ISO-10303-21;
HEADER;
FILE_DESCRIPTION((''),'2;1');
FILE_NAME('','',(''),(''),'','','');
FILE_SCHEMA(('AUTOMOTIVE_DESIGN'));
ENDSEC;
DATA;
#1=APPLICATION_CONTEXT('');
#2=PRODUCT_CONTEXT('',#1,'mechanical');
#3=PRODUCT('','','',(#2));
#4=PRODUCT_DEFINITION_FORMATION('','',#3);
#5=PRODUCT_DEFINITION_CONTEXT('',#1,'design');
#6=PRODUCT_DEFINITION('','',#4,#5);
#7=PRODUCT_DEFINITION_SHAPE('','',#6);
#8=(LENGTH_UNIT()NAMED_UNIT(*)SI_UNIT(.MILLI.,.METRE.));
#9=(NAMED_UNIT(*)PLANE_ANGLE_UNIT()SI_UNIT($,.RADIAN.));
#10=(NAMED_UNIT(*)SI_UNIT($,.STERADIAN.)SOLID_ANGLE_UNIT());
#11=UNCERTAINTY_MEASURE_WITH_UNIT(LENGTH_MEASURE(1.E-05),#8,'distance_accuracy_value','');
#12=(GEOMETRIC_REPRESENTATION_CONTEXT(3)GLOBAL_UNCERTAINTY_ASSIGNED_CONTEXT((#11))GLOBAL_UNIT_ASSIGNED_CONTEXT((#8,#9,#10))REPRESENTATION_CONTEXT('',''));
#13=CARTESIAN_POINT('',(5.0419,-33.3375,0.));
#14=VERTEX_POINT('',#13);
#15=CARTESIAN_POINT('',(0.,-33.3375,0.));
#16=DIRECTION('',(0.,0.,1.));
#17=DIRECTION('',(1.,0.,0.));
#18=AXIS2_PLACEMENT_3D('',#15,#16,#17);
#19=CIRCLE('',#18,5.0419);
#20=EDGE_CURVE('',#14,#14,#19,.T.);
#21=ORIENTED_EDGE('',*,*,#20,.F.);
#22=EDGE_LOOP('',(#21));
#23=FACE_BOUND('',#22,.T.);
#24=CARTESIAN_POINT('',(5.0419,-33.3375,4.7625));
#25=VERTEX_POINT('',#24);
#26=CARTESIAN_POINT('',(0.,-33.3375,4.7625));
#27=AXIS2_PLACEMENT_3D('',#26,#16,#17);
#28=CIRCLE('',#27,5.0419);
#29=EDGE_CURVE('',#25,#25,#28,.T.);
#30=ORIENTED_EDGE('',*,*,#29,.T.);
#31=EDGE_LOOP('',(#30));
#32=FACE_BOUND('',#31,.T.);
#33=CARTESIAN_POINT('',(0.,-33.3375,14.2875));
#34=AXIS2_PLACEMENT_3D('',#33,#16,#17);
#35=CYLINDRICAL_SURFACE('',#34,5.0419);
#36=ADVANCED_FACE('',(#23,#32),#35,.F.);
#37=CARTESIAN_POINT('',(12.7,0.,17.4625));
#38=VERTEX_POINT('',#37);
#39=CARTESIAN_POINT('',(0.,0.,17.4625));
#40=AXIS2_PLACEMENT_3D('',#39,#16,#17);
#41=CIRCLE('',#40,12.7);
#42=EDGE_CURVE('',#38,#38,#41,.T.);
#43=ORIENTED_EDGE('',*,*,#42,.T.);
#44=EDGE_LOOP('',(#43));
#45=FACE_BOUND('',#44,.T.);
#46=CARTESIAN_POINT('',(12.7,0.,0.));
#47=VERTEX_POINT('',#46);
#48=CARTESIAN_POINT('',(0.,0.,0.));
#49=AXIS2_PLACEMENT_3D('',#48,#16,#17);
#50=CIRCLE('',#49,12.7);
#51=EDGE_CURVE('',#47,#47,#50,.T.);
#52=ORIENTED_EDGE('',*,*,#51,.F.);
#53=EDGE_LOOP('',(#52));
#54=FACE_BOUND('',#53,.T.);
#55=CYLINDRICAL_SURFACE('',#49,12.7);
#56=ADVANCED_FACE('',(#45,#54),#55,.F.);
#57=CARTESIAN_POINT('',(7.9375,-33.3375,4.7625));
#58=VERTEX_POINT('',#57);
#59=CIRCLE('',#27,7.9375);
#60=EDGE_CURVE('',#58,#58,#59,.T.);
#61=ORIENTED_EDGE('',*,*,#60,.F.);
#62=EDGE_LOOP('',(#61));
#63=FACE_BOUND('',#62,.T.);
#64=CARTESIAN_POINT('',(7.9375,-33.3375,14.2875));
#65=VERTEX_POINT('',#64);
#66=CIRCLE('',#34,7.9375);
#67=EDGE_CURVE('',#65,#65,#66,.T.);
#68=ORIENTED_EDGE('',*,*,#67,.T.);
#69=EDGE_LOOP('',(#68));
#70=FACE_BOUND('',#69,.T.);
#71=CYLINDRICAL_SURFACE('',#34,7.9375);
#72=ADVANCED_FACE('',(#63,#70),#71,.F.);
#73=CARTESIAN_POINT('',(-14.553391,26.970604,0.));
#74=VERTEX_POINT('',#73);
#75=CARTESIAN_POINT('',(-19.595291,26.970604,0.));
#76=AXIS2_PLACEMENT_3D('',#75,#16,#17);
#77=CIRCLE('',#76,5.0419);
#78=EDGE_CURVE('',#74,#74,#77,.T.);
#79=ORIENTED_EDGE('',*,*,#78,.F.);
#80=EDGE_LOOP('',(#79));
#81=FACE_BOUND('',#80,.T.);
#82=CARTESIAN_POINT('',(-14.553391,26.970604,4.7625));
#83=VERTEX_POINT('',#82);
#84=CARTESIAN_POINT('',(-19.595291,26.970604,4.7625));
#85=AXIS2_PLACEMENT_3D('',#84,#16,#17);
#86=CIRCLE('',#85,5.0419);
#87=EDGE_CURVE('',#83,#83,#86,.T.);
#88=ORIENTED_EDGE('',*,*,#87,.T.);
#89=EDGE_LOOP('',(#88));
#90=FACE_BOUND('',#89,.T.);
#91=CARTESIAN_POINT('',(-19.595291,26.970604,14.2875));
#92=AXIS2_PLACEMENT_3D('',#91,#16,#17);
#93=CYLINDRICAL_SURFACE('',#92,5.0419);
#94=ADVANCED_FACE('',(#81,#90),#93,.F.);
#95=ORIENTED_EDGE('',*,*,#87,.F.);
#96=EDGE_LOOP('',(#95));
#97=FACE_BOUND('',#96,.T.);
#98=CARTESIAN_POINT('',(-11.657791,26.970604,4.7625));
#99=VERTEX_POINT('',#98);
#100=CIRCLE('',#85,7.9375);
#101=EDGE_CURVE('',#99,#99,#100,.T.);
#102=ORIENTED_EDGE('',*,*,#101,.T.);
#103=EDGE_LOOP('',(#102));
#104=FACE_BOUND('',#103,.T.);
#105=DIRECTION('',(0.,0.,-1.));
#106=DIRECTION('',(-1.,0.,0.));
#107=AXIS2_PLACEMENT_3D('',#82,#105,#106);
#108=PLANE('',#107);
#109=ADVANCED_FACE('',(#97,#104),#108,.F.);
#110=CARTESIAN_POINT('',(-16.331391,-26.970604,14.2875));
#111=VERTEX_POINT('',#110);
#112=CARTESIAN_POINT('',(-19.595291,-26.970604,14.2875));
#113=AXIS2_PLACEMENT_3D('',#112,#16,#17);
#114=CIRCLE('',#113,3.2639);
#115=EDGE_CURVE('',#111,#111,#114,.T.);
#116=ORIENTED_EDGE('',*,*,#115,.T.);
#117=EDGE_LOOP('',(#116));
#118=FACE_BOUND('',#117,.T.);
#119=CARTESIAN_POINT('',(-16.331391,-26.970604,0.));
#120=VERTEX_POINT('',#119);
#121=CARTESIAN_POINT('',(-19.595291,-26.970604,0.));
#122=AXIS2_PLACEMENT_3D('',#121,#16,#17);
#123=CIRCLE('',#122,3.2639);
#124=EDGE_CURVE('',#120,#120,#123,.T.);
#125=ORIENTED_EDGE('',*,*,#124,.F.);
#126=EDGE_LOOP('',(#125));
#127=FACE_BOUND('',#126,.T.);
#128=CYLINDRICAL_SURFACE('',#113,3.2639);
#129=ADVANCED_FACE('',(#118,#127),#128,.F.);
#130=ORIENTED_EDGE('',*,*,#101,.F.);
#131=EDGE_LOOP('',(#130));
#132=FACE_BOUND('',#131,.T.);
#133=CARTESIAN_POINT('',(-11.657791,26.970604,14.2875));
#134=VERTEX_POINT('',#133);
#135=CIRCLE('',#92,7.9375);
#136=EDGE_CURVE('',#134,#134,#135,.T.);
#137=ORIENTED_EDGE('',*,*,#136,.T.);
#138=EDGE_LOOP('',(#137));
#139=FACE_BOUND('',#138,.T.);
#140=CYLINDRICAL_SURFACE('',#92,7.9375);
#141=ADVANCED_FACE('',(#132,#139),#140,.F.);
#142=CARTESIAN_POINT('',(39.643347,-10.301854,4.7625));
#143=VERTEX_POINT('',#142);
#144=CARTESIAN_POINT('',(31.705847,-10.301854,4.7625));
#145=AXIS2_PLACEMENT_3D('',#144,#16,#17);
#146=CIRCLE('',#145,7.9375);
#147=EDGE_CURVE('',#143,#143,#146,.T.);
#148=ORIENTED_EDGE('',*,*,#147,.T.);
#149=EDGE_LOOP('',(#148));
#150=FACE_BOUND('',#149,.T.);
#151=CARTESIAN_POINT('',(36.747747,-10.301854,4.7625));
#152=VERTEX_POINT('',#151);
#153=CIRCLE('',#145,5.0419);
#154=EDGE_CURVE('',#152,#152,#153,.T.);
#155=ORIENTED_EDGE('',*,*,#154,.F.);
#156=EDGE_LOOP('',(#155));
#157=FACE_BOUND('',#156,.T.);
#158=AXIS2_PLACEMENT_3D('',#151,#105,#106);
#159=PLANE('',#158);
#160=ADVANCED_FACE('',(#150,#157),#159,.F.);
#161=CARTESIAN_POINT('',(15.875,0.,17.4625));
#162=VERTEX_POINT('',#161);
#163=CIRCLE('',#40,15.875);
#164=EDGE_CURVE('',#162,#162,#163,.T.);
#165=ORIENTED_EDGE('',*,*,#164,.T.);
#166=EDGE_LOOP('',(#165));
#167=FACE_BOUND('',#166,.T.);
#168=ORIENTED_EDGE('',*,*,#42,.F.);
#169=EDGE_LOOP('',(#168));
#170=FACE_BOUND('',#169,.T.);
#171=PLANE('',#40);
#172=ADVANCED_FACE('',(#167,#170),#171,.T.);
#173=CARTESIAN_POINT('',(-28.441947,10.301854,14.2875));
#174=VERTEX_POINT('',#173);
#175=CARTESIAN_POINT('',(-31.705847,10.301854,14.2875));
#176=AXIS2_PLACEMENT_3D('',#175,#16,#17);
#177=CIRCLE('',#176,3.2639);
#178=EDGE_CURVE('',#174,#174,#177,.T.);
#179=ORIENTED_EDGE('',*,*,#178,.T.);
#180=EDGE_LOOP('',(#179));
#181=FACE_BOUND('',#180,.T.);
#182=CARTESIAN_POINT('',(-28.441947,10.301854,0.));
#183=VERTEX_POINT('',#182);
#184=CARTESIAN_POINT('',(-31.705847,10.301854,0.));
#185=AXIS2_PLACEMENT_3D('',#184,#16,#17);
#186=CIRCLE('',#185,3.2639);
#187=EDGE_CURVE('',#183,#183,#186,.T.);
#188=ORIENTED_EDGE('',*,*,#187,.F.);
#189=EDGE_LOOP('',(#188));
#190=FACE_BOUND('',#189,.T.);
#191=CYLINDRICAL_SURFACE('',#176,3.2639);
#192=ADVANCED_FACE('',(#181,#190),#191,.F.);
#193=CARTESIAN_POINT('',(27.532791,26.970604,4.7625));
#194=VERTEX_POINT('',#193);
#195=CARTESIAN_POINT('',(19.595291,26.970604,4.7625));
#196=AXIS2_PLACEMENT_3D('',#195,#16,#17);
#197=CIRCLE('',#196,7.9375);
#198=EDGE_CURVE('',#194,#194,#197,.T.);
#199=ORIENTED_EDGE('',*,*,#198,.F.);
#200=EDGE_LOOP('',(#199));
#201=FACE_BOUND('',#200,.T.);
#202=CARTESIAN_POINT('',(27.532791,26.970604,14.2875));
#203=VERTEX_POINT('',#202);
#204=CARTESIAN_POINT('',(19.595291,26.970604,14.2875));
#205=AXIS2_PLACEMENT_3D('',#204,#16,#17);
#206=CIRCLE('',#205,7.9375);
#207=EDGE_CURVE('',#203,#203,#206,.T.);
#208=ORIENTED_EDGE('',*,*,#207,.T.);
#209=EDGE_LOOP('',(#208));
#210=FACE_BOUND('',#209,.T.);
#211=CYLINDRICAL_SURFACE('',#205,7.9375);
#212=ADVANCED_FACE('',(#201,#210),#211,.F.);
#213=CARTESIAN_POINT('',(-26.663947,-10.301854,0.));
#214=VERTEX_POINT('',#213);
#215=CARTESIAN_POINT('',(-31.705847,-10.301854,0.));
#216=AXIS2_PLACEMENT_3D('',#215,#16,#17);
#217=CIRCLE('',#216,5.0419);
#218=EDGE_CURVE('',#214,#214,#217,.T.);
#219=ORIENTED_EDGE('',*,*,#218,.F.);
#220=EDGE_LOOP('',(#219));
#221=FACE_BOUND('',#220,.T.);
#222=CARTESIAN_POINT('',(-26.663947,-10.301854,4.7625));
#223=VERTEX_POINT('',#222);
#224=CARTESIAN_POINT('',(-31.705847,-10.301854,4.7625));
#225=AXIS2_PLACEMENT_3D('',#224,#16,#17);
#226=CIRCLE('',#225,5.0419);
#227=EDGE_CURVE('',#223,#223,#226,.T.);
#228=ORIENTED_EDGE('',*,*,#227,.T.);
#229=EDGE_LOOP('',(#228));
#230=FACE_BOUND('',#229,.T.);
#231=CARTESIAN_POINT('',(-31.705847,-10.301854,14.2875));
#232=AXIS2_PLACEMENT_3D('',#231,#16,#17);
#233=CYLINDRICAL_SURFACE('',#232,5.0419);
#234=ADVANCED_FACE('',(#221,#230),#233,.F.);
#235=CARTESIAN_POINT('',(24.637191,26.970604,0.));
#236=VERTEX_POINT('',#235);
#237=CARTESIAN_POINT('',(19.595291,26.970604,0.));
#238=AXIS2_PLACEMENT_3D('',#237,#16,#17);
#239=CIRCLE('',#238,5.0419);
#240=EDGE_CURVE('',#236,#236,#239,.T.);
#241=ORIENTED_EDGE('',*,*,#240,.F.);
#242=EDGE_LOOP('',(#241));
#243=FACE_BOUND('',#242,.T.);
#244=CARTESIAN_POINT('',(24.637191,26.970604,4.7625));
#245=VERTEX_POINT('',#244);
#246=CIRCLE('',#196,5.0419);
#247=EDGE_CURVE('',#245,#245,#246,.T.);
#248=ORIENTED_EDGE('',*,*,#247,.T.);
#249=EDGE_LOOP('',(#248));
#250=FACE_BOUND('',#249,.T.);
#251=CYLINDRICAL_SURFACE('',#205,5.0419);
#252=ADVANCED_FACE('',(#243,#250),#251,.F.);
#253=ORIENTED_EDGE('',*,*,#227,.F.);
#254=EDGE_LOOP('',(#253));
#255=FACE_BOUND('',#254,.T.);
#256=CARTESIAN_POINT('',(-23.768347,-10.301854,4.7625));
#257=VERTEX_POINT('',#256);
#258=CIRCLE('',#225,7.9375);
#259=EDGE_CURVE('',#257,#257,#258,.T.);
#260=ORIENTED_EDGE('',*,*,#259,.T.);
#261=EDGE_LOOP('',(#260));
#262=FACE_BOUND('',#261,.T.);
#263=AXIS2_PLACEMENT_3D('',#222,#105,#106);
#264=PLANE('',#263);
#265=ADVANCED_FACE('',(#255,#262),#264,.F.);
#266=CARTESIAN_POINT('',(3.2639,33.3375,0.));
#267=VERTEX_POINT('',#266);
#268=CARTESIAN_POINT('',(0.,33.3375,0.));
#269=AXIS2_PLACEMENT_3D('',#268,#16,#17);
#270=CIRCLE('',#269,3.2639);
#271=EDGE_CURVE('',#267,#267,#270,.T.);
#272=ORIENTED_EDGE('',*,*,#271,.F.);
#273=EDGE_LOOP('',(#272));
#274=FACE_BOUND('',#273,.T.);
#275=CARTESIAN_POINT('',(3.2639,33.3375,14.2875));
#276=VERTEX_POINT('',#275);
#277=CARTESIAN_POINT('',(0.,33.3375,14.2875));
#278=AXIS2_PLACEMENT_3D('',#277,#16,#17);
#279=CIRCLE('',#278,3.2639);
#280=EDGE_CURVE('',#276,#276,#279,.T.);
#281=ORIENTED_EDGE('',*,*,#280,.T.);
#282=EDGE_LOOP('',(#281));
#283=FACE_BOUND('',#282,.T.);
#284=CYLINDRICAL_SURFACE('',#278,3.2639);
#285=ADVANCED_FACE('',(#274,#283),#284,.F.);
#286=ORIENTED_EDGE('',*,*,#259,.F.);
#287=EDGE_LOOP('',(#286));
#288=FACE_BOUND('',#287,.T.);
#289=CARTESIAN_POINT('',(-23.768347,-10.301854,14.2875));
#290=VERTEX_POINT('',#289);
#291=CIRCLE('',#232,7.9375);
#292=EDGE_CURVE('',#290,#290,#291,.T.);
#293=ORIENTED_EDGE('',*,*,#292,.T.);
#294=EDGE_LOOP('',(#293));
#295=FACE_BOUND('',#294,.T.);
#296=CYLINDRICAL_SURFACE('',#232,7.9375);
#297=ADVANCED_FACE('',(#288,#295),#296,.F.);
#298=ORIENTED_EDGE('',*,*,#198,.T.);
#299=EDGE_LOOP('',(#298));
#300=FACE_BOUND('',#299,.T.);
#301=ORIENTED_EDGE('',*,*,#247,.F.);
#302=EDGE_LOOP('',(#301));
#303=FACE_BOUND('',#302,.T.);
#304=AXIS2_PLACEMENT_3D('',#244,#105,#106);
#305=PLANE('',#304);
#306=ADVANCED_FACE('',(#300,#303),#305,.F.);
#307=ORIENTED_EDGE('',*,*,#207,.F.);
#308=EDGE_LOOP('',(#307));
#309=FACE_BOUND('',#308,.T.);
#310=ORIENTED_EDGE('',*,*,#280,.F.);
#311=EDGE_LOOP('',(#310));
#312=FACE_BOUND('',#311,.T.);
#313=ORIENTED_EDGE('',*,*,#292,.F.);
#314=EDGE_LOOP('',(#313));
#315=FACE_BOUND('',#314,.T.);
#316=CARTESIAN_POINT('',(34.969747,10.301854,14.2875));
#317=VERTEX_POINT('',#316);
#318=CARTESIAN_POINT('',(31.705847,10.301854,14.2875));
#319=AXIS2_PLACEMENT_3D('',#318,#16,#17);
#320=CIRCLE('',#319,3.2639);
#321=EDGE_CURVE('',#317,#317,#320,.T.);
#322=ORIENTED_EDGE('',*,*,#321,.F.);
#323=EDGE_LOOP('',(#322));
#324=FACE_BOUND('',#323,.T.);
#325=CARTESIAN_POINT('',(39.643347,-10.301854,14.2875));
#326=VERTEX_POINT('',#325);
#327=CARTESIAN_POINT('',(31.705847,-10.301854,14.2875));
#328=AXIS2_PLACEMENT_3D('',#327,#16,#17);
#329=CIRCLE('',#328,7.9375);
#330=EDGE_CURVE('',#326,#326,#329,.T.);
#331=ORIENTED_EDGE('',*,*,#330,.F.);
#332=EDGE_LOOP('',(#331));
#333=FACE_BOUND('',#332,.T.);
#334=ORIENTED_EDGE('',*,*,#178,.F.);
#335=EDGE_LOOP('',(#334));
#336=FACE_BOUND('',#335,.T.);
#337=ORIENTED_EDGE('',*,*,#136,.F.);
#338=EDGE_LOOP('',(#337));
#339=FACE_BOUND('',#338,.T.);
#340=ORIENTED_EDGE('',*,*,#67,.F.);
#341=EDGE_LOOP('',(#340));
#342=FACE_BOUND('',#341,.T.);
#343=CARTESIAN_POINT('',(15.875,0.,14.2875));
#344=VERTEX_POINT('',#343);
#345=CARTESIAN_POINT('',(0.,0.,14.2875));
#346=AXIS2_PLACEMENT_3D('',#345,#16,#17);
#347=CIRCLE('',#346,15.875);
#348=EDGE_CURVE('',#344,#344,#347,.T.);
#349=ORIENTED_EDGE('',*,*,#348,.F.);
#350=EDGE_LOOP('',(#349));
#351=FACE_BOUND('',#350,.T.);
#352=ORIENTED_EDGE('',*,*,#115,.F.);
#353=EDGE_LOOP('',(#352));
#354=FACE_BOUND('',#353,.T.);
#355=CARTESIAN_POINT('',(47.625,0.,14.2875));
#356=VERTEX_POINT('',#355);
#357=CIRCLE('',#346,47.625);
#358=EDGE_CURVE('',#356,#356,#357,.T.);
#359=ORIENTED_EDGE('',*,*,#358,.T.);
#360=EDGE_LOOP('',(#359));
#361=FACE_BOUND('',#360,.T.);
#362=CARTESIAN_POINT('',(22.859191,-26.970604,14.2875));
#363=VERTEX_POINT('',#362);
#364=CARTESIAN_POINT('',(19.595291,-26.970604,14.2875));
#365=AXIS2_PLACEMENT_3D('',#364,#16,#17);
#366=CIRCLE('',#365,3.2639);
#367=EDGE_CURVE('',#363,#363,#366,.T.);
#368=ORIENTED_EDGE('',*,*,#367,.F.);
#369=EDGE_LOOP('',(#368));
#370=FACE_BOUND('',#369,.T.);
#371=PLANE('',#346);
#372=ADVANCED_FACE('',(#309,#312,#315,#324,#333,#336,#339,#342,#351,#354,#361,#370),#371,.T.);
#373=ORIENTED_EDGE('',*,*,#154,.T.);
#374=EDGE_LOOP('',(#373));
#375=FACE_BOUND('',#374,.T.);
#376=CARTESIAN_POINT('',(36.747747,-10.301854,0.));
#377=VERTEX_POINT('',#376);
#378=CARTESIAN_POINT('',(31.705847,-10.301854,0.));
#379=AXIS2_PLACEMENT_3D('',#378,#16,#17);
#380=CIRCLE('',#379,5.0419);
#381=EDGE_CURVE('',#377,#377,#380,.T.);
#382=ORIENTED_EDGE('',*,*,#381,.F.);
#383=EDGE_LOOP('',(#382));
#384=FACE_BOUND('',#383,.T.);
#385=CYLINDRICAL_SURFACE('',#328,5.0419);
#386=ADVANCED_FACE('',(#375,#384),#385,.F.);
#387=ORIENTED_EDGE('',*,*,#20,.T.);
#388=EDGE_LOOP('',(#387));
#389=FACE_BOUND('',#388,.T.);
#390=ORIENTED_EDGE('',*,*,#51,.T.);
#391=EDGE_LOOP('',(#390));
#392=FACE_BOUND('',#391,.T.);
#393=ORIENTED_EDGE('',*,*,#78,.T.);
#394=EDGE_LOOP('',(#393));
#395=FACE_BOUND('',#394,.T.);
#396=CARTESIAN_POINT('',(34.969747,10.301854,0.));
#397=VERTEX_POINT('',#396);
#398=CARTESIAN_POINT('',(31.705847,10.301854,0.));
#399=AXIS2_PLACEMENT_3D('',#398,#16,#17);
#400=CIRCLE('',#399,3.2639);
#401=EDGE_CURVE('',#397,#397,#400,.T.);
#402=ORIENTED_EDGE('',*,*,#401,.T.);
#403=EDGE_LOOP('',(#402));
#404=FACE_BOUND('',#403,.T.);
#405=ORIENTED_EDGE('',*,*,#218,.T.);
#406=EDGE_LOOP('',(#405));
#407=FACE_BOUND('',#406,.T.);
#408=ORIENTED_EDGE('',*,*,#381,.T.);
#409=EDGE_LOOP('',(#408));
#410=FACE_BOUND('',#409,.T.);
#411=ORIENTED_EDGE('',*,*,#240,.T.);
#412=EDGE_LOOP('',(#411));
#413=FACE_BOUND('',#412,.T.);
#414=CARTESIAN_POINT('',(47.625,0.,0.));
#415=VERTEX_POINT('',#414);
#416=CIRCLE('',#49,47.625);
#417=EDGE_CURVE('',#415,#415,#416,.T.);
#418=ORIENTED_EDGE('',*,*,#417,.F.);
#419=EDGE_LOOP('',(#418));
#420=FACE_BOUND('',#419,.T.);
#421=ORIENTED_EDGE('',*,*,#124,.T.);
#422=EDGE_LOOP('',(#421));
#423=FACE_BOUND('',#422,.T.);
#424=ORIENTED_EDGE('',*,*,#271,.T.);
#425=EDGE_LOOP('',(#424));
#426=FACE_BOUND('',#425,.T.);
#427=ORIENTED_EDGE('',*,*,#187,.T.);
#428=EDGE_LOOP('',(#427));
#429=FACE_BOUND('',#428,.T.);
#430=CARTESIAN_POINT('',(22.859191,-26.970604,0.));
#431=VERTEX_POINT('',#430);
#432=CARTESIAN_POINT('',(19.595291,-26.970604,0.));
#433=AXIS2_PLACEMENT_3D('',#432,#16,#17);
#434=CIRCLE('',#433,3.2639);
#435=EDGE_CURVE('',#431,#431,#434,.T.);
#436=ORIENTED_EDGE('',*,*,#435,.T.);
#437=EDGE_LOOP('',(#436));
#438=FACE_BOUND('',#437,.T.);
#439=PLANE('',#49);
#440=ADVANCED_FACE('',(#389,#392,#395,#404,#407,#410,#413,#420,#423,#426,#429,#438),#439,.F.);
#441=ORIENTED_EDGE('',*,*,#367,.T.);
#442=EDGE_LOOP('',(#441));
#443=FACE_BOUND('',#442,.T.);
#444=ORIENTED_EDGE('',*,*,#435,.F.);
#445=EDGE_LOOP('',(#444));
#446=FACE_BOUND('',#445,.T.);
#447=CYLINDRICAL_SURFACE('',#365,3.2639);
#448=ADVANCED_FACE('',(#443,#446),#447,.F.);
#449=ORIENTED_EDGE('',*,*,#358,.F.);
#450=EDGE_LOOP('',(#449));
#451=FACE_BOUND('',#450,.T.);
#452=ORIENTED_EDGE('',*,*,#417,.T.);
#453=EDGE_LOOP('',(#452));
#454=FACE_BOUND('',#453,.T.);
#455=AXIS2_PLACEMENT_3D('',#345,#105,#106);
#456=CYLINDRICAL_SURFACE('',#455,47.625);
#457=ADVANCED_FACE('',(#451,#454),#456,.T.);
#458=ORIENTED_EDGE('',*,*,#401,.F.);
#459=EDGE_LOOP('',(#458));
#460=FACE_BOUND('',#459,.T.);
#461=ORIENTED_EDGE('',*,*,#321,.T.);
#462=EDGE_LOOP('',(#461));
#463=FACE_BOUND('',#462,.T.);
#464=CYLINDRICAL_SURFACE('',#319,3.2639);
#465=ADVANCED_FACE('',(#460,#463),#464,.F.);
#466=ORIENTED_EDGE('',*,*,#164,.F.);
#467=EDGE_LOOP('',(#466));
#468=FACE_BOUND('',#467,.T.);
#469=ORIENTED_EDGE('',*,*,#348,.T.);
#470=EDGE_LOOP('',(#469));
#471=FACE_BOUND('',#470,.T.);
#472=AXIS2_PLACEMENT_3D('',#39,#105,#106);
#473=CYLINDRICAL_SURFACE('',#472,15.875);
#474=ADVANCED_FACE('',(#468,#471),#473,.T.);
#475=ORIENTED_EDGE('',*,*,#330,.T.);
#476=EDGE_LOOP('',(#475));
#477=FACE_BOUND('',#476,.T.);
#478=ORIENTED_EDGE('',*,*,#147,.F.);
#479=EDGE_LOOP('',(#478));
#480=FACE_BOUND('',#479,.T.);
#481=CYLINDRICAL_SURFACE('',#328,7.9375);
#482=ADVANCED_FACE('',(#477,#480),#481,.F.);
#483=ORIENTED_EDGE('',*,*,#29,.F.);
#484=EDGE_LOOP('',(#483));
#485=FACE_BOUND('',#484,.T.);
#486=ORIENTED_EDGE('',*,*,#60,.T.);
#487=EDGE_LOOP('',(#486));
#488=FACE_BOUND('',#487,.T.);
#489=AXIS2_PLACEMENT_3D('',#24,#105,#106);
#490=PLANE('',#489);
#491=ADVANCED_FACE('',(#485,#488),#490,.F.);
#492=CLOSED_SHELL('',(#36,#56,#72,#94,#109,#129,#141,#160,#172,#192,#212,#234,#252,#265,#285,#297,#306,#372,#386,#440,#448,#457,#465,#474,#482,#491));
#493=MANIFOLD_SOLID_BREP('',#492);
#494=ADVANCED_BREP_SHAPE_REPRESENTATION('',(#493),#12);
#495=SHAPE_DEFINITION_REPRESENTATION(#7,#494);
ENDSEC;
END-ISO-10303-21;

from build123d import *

# Parameters (mm, degrees)
SKETCH1_R                                        = 47.625
BOSS_EXTRUDE1_DEPTH                              = 14.2875
SKETCH2_R                                        = 12.7
CUT_EXTRUDE1_DEPTH                               = 69.850663804
BOSS_EXTRUDE2_START                              = 3.175
SKETCH3_R                                        = 15.875
SKETCH3_R_2                                      = 12.7
BOSS_EXTRUDE2_DEPTH                              = 3.175
CBORE_FOR_3_8_SOCKET_HEAD_CAP_SCREW1_D           = 10.0838
CBORE_FOR_3_8_SOCKET_HEAD_CAP_SCREW1_CBORE_D     = 15.875
CBORE_FOR_3_8_SOCKET_HEAD_CAP_SCREW1_CBORE_DEPTH = 9.525
F_5_16_18_TAPPED_HOLE1_D                         = 6.5278


with BuildPart() as part:
    # Sketch1 → Boss-Extrude1 (new body)
    with BuildSketch(Plane.XY):
        Circle(SKETCH1_R)
    extrude(amount=BOSS_EXTRUDE1_DEPTH)

    # Sketch2 → Cut-Extrude1 (cut, through all)
    with BuildSketch(Plane.XY.offset(14.2875)):
        Circle(SKETCH2_R)
    extrude(amount=-CUT_EXTRUDE1_DEPTH, mode=Mode.SUBTRACT)

    # Sketch3 → Boss-Extrude2 (add)
    with BuildSketch(Plane.XY.offset(14.2875).offset(BOSS_EXTRUDE2_START)):
        Circle(SKETCH3_R)
        Circle(SKETCH3_R_2, mode=Mode.SUBTRACT)
    extrude(amount=-BOSS_EXTRUDE2_DEPTH)

    # CBORE for 3/8 Socket Head Cap Screw1 (through all)
    with Locations(Plane.XY.offset(14.2875)):
        with Locations((0, -33.3375), (-31.705846612, -10.30185405), (-19.595290848, 26.97060405), (19.595290848, 26.97060405), (31.705846612, -10.30185405), (0, 0)):
            CounterBoreHole(CBORE_FOR_3_8_SOCKET_HEAD_CAP_SCREW1_D / 2, CBORE_FOR_3_8_SOCKET_HEAD_CAP_SCREW1_CBORE_D / 2, CBORE_FOR_3_8_SOCKET_HEAD_CAP_SCREW1_CBORE_DEPTH)

    # 5/16-18 Tapped Hole1 (through all)
    with Locations(Plane.XY.offset(14.2875)):
        with Locations((-19.595290848, -26.97060405), (-31.705846612, 10.30185405), (0, 33.3375), (31.705846612, 10.30185405), (19.595290848, -26.97060405), (0, 0)):
            Hole(F_5_16_18_TAPPED_HOLE1_D / 2)


solid = part.part
